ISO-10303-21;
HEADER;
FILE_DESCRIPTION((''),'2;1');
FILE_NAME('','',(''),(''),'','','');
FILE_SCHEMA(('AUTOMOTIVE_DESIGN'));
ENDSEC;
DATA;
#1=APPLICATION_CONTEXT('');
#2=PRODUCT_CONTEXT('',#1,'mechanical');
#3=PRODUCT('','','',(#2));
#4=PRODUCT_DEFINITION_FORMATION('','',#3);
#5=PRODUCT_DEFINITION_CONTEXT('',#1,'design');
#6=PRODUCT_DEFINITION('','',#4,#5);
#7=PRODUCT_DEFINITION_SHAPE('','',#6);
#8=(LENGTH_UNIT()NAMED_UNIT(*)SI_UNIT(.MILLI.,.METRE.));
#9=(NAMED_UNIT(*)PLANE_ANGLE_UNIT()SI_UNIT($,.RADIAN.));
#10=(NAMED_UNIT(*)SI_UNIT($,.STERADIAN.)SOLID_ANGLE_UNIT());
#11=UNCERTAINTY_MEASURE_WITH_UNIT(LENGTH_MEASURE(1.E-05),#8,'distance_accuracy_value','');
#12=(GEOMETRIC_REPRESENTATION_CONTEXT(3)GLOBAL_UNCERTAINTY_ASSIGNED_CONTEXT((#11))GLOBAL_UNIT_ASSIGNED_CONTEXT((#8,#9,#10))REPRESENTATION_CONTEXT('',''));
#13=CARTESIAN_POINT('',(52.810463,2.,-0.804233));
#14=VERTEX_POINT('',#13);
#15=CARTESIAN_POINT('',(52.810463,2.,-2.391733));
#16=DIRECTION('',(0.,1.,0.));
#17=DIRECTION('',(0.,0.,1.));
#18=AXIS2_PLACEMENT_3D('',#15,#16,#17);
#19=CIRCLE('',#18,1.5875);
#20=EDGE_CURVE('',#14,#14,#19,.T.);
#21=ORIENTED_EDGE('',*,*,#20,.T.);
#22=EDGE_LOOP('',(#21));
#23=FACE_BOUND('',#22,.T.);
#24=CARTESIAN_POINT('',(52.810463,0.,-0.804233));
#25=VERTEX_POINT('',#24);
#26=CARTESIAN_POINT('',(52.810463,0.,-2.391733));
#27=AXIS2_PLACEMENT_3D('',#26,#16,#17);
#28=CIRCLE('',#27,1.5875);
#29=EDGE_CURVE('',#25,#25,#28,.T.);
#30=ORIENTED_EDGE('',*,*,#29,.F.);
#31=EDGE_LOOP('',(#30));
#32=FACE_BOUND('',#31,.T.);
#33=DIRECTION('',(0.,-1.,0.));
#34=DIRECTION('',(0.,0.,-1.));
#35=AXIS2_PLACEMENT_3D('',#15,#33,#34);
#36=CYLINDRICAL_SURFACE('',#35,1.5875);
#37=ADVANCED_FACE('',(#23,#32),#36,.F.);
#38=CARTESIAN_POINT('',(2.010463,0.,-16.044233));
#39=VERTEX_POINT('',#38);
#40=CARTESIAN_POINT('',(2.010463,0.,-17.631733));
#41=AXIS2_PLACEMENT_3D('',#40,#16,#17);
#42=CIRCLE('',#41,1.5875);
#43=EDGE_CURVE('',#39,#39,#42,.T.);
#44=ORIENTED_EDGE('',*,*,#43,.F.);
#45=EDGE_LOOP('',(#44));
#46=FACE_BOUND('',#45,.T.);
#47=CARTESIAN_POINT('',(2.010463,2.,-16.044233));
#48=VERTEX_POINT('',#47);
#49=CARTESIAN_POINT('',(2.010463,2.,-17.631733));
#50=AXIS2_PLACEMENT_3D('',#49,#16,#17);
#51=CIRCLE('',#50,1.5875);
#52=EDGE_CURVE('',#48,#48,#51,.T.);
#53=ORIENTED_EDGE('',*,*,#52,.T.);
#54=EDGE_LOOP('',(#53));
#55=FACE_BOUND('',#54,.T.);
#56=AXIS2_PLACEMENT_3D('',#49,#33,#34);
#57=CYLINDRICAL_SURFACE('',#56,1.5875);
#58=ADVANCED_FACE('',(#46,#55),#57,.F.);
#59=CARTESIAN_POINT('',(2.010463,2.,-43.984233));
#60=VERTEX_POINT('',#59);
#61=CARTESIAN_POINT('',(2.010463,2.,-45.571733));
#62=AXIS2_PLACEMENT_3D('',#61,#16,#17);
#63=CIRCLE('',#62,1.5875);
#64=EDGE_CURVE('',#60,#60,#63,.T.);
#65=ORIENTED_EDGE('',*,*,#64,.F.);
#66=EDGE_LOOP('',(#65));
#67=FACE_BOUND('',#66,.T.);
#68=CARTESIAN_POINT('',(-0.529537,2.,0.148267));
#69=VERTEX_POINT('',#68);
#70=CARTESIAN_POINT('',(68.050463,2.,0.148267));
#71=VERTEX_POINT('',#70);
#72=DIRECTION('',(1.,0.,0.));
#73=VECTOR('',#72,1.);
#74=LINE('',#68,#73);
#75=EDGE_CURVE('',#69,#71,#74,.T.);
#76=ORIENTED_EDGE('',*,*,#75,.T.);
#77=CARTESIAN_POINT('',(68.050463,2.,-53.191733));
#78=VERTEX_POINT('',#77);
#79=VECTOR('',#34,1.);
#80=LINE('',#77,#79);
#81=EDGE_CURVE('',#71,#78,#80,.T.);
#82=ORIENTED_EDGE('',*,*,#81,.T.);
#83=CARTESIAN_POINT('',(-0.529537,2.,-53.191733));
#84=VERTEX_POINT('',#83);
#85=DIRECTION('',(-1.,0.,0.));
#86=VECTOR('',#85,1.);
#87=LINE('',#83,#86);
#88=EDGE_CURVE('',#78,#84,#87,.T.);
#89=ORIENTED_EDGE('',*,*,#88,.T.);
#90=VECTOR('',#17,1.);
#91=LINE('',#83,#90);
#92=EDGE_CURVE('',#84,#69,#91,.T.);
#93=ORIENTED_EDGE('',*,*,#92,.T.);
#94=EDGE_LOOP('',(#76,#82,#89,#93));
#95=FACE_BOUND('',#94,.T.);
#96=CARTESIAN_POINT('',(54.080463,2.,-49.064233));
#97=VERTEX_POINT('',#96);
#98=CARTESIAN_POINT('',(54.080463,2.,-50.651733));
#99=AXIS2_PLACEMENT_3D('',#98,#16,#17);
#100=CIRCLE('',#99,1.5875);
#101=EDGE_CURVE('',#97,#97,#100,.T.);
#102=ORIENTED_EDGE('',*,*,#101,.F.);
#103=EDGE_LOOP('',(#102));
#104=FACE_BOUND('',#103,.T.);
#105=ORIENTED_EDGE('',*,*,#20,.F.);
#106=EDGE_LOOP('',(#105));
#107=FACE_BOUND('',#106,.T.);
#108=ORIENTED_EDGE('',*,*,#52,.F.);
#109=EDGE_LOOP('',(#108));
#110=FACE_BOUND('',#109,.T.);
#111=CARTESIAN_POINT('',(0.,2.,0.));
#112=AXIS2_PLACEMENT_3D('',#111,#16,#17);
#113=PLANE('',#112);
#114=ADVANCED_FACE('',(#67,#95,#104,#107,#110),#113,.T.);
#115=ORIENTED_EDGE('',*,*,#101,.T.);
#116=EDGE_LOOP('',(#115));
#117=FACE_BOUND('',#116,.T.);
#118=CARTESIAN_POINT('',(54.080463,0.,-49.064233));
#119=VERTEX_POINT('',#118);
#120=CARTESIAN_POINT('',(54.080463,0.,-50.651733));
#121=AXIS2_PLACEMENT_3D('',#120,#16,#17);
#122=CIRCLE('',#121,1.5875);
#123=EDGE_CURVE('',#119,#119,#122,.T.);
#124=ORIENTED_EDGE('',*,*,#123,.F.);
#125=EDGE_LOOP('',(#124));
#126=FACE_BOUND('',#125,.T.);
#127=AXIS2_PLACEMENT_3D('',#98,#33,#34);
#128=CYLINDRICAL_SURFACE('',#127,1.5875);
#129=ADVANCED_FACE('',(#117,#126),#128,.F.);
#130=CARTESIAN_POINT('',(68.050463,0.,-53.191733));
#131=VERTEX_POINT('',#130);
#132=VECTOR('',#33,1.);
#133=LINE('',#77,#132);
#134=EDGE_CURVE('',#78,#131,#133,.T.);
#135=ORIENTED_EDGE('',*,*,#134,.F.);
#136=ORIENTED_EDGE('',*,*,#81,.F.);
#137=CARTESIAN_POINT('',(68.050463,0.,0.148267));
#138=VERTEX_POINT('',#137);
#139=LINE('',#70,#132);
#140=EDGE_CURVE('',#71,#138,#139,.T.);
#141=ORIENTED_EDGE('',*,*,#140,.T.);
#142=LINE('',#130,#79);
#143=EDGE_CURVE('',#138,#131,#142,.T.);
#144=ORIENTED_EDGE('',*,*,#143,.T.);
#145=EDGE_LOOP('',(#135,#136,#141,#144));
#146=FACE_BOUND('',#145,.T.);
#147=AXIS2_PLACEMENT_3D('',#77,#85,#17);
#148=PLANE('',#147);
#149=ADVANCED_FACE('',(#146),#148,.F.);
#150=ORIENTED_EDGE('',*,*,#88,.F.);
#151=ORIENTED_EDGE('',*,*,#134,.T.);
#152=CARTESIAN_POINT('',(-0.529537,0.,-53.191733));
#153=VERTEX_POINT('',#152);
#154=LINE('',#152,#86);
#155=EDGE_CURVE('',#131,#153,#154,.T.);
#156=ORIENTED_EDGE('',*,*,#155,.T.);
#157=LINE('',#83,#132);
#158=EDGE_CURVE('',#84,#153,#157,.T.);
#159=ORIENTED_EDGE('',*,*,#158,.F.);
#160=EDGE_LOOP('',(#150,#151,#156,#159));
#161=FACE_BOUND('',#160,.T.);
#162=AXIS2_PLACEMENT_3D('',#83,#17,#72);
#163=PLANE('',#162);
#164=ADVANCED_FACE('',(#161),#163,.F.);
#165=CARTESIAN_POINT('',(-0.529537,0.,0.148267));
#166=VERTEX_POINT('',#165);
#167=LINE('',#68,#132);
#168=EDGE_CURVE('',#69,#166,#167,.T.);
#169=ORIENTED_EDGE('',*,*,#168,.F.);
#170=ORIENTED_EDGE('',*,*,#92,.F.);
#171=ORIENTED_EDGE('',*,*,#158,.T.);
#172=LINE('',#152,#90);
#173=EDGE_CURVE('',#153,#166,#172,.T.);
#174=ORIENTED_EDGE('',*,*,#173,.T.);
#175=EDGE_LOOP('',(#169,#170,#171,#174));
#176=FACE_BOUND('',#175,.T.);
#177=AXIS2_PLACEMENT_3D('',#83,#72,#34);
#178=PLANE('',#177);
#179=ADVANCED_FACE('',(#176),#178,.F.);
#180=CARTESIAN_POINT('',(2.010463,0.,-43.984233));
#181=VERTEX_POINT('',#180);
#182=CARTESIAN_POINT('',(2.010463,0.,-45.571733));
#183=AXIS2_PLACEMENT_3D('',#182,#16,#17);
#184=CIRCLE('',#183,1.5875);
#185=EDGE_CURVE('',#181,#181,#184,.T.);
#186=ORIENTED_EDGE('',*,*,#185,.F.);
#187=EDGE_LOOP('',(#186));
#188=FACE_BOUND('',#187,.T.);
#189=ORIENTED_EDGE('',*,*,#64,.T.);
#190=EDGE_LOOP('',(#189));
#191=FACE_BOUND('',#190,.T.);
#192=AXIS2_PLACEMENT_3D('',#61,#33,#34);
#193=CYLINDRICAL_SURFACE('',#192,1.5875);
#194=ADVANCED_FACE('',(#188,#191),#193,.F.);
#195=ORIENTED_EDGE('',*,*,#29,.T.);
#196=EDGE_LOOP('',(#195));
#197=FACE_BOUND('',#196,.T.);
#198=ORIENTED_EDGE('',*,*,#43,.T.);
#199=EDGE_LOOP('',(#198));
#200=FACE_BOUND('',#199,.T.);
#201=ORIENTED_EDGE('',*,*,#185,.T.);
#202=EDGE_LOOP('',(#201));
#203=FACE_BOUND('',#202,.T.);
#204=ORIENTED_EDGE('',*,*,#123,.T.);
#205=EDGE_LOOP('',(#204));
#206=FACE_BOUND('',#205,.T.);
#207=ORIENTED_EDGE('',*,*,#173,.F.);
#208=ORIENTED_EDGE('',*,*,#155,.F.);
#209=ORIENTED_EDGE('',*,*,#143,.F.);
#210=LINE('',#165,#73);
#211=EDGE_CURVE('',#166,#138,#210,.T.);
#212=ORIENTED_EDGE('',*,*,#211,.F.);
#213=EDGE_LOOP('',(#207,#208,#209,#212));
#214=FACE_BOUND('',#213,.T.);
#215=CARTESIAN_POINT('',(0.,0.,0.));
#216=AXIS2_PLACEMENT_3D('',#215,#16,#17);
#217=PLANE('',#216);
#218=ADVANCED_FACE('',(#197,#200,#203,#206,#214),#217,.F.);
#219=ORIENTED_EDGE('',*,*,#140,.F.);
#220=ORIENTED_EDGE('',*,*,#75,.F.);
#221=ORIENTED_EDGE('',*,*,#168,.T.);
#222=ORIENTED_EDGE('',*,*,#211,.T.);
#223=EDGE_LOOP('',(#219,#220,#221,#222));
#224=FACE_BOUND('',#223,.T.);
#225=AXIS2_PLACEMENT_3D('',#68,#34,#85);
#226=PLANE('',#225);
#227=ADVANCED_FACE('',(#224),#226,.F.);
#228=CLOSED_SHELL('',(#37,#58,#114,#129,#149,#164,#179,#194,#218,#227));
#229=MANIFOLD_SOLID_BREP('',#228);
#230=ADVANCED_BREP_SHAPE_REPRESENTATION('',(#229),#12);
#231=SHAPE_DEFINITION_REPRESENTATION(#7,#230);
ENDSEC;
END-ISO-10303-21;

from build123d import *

# Parameters (mm, degrees)
SKETCH1_W           = 68.58
SKETCH1_H           = 53.34
SKETCH1_R           = 1.5875
BOSS_EXTRUDE6_DEPTH = 2


with BuildPart() as part:
    # Sketch1 → Boss-Extrude6 (new body)
    with BuildSketch(Plane(origin=(0, 0, 0), x_dir=(1, 0, 0), z_dir=(0, 1, 0))):
        with Locations((33.760462958, 26.521733282)):
            Rectangle(SKETCH1_W, SKETCH1_H)
        with Locations(Location((2.010462958, 17.631733282, 0), (0, 0, 270))):
            Circle(SKETCH1_R, mode=Mode.SUBTRACT)
        with Locations(Location((2.010462958, 45.571733282, 0), (0, 0, 270))):
            Circle(SKETCH1_R, mode=Mode.SUBTRACT)
        with Locations(Location((52.810462958, 2.391733282, 0), (0, 0, 270))):
            Circle(SKETCH1_R, mode=Mode.SUBTRACT)
        with Locations(Location((54.080462958, 50.651733282, 0), (0, 0, 270))):
            Circle(SKETCH1_R, mode=Mode.SUBTRACT)
    extrude(amount=BOSS_EXTRUDE6_DEPTH)


solid = part.part
